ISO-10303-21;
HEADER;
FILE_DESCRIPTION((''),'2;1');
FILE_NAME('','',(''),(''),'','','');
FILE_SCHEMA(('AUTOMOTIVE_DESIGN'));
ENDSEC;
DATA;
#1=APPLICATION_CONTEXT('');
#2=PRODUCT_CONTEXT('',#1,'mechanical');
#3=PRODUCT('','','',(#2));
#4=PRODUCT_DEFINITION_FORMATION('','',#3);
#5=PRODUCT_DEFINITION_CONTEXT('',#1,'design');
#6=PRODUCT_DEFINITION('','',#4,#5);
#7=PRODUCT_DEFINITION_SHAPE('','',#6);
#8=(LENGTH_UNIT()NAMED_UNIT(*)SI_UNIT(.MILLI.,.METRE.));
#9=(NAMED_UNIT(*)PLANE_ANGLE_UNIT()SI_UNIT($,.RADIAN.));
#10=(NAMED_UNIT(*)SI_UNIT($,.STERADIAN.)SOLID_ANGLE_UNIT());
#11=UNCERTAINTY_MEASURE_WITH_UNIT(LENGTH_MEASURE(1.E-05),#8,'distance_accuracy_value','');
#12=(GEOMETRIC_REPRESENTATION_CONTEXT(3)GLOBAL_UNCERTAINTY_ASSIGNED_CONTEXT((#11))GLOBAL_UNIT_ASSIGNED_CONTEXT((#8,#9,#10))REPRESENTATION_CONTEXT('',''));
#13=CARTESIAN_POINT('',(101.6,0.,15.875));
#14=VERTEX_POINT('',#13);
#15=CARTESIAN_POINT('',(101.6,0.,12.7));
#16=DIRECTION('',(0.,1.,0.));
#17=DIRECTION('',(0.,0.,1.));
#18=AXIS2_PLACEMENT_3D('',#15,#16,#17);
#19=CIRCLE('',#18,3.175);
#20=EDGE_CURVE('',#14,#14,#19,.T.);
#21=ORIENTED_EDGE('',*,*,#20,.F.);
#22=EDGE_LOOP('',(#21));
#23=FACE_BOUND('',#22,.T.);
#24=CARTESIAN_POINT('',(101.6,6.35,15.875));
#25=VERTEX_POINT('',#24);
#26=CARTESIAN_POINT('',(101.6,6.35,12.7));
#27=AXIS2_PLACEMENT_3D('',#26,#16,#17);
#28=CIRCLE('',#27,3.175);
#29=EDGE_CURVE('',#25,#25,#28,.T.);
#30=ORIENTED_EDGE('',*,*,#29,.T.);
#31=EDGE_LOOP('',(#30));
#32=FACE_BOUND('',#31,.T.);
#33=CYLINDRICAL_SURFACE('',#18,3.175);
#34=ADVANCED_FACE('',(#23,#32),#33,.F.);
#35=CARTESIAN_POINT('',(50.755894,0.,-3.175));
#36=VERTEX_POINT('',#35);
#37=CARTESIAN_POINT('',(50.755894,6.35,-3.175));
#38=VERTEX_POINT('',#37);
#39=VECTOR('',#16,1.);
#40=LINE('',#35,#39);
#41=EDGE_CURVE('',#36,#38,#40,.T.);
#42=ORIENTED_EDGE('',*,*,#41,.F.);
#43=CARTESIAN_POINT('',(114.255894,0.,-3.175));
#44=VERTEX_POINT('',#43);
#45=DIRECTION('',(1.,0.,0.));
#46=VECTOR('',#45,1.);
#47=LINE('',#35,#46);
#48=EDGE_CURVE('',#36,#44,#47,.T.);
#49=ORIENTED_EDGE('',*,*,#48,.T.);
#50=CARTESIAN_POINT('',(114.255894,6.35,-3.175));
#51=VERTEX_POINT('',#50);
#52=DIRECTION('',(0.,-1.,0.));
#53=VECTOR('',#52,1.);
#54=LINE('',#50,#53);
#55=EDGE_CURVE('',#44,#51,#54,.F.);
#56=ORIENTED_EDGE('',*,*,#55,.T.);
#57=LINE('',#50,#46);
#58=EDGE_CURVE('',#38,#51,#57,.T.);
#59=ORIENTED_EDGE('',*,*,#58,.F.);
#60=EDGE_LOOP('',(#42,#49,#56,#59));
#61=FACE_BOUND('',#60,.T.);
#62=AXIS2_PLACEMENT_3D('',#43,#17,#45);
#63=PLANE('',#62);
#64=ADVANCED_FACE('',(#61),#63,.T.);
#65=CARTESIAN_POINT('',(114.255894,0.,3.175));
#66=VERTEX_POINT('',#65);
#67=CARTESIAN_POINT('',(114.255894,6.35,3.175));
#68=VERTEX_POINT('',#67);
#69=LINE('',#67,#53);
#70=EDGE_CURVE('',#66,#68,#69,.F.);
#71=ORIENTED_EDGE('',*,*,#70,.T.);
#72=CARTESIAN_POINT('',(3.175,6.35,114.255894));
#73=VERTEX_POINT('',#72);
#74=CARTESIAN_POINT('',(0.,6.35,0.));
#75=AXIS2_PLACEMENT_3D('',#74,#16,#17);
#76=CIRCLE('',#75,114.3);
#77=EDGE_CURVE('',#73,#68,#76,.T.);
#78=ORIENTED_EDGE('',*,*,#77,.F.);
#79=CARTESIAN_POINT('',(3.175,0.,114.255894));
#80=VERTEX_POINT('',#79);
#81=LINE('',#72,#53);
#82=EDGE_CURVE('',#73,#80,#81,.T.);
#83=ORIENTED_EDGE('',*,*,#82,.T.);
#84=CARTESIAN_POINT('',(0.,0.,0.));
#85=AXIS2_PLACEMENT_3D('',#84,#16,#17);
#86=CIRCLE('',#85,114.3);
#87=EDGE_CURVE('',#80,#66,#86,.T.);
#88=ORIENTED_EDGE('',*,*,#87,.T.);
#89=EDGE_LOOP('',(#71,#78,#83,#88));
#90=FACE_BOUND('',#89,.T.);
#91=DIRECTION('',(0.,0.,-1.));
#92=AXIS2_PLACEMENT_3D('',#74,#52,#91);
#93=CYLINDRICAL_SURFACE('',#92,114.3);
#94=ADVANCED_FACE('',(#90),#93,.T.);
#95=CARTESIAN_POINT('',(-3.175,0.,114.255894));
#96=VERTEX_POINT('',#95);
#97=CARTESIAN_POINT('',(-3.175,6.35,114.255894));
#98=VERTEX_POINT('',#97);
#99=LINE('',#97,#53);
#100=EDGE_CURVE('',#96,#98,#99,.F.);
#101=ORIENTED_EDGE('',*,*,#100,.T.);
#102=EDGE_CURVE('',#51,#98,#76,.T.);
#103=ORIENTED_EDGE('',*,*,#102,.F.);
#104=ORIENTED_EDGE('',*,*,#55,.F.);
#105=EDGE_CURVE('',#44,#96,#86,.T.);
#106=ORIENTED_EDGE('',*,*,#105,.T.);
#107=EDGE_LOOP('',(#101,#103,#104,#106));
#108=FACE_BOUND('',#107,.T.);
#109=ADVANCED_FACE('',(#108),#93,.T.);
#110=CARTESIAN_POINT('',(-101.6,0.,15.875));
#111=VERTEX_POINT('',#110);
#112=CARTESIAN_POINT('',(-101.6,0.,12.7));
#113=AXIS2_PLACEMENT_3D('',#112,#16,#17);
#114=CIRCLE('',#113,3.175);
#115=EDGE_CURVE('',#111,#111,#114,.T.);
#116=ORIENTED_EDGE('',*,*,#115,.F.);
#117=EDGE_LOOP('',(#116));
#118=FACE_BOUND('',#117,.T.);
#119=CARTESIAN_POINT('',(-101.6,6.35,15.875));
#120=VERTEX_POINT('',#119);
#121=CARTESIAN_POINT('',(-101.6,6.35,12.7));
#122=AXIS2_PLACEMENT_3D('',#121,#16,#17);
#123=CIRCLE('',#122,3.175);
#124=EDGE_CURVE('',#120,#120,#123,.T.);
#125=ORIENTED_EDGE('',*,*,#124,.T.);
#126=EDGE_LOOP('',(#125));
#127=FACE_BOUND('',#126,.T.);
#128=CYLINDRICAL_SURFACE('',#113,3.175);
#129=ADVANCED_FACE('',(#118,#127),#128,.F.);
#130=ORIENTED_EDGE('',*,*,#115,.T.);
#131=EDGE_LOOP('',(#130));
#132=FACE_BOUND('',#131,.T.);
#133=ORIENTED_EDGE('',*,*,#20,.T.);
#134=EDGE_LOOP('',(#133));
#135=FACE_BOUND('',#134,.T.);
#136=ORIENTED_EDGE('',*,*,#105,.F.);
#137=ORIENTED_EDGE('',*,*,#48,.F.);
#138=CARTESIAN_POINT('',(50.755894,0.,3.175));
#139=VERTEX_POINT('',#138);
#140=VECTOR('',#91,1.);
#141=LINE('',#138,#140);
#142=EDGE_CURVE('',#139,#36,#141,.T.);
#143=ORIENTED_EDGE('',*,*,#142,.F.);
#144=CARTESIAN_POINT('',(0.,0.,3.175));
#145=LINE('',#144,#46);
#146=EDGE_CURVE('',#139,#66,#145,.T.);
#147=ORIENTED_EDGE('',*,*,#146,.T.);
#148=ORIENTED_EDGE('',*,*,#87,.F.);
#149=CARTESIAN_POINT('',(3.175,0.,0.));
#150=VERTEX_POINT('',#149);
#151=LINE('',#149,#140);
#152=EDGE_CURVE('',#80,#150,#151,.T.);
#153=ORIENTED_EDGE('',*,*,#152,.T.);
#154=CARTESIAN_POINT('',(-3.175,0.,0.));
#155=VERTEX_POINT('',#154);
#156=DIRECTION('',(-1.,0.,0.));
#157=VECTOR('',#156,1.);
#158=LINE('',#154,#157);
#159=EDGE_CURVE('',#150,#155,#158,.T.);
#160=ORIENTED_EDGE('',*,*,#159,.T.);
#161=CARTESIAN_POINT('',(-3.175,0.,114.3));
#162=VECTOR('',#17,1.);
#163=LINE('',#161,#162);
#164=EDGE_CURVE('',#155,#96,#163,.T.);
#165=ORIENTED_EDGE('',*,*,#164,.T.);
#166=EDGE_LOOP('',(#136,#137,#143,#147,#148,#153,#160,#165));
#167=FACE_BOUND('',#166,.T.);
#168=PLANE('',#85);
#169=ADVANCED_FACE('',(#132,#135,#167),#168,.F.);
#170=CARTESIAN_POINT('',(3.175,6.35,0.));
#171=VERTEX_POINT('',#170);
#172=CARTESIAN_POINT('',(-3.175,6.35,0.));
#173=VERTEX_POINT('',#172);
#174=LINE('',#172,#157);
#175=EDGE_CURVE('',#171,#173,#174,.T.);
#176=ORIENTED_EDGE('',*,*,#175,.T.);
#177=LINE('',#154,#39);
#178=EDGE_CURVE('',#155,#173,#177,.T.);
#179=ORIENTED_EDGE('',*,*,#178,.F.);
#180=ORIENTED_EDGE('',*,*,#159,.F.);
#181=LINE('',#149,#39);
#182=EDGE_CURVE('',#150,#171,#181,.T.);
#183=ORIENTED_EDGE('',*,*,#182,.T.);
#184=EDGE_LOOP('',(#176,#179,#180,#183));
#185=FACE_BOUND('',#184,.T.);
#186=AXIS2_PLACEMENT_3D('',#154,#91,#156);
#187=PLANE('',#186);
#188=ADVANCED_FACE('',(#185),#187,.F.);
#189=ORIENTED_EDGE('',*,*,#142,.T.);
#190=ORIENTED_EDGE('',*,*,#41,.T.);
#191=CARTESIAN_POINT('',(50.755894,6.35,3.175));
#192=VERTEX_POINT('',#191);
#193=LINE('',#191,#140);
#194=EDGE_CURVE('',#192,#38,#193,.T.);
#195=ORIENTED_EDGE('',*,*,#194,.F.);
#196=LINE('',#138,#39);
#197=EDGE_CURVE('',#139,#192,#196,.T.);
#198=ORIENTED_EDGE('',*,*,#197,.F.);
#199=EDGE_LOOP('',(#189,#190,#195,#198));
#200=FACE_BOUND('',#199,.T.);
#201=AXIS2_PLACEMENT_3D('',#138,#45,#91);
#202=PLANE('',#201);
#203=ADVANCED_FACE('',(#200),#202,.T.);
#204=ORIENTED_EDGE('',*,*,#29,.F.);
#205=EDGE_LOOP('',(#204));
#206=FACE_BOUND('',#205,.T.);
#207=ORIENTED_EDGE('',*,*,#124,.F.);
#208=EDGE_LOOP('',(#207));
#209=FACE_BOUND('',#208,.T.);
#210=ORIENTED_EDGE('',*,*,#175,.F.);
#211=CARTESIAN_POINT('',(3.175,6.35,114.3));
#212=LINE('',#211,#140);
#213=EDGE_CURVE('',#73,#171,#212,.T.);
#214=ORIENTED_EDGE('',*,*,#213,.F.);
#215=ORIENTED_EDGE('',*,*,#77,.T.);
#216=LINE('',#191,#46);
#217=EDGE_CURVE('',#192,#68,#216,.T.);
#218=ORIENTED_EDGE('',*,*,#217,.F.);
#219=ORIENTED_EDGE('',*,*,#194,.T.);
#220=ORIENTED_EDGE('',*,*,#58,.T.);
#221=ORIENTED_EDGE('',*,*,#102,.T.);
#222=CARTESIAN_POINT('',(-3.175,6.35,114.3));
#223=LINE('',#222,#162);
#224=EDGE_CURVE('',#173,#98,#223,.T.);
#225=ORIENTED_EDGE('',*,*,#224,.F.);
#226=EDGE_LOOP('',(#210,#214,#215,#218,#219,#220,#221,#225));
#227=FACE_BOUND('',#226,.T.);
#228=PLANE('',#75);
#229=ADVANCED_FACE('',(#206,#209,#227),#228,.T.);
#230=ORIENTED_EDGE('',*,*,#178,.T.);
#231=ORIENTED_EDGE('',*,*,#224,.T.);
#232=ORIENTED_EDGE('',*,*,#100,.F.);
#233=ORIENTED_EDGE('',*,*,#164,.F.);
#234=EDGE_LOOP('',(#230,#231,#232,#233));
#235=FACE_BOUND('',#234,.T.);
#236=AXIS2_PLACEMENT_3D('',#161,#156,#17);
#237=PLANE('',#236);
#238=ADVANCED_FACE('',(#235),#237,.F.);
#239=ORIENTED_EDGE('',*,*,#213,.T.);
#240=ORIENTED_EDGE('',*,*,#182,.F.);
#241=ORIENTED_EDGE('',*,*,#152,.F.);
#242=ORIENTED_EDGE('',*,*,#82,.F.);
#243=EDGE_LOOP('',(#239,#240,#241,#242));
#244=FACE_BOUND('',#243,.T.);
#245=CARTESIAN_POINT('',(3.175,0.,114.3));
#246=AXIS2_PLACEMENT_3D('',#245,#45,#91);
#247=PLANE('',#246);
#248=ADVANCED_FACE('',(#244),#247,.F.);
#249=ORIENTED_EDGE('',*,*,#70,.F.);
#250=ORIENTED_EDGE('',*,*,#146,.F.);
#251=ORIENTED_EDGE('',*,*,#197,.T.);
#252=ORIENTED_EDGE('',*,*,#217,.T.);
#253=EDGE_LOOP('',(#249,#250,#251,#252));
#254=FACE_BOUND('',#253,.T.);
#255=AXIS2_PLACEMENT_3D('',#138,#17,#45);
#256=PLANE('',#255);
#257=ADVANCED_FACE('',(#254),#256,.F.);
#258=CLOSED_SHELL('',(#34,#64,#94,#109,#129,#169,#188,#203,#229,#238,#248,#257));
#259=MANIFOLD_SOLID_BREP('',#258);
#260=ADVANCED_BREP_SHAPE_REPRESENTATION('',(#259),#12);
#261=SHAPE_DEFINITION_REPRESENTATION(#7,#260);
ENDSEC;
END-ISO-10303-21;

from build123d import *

# Parameters (mm, degrees)
SKETCH1_R           = 114.3
BOSS_EXTRUDE1_DEPTH = 6.35
SKETCH2_W           = 6.35
SKETCH2_H           = 114.3
CUT_EXTRUDE1_DEPTH  = 6.35
CUT_EXTRUDE2_DEPTH  = 162.769287876
SKETCH4_R           = 3.175
CUT_EXTRUDE3_DEPTH  = 162.769287876


with BuildPart() as part:
    # Sketch1 → Boss-Extrude1 (new body)
    with BuildSketch(Plane(origin=(0, 0, 0), x_dir=(1, 0, 0), z_dir=(0, 1, 0))):
        with Locations(Location((0, 0, 0), (0, 0, 270))):
            Circle(SKETCH1_R)
    extrude(amount=BOSS_EXTRUDE1_DEPTH)

    # Sketch2 → Cut-Extrude1 (cut)
    with BuildSketch(Plane(origin=(0, 6.35, 0), x_dir=(1, 0, 0), z_dir=(0, 1, 0))):
        with Locations((0, -57.15)):
            Rectangle(SKETCH2_W, SKETCH2_H)
    extrude(amount=-CUT_EXTRUDE1_DEPTH, mode=Mode.SUBTRACT)

    # Sketch3 → Cut-Extrude2 (cut, through all)
    with BuildSketch(Plane(origin=(0, 6.35, 0), x_dir=(1, 0, 0), z_dir=(0, 1, 0))):
        Polygon((114.255894268, 3.175), (120.605894268, 3.175), (120.605894268, -3.175), (114.255894268, -3.175), (50.755894268, -3.175), (50.755894268, 3.175), align=None)
    extrude(amount=-CUT_EXTRUDE2_DEPTH, mode=Mode.SUBTRACT)

    # Sketch4 → Cut-Extrude3 (cut, through all)
    with BuildSketch(Plane(origin=(0, 6.35, 0), x_dir=(1, 0, 0), z_dir=(0, 1, 0))):
        with Locations(Location((101.6, -12.7, 0), (0, 0, 270))):
            Circle(SKETCH4_R)
        with Locations(Location((-101.6, -12.7, 0), (0, 0, 270))):
            Circle(SKETCH4_R)
    extrude(amount=-CUT_EXTRUDE3_DEPTH, mode=Mode.SUBTRACT)


solid = part.part
